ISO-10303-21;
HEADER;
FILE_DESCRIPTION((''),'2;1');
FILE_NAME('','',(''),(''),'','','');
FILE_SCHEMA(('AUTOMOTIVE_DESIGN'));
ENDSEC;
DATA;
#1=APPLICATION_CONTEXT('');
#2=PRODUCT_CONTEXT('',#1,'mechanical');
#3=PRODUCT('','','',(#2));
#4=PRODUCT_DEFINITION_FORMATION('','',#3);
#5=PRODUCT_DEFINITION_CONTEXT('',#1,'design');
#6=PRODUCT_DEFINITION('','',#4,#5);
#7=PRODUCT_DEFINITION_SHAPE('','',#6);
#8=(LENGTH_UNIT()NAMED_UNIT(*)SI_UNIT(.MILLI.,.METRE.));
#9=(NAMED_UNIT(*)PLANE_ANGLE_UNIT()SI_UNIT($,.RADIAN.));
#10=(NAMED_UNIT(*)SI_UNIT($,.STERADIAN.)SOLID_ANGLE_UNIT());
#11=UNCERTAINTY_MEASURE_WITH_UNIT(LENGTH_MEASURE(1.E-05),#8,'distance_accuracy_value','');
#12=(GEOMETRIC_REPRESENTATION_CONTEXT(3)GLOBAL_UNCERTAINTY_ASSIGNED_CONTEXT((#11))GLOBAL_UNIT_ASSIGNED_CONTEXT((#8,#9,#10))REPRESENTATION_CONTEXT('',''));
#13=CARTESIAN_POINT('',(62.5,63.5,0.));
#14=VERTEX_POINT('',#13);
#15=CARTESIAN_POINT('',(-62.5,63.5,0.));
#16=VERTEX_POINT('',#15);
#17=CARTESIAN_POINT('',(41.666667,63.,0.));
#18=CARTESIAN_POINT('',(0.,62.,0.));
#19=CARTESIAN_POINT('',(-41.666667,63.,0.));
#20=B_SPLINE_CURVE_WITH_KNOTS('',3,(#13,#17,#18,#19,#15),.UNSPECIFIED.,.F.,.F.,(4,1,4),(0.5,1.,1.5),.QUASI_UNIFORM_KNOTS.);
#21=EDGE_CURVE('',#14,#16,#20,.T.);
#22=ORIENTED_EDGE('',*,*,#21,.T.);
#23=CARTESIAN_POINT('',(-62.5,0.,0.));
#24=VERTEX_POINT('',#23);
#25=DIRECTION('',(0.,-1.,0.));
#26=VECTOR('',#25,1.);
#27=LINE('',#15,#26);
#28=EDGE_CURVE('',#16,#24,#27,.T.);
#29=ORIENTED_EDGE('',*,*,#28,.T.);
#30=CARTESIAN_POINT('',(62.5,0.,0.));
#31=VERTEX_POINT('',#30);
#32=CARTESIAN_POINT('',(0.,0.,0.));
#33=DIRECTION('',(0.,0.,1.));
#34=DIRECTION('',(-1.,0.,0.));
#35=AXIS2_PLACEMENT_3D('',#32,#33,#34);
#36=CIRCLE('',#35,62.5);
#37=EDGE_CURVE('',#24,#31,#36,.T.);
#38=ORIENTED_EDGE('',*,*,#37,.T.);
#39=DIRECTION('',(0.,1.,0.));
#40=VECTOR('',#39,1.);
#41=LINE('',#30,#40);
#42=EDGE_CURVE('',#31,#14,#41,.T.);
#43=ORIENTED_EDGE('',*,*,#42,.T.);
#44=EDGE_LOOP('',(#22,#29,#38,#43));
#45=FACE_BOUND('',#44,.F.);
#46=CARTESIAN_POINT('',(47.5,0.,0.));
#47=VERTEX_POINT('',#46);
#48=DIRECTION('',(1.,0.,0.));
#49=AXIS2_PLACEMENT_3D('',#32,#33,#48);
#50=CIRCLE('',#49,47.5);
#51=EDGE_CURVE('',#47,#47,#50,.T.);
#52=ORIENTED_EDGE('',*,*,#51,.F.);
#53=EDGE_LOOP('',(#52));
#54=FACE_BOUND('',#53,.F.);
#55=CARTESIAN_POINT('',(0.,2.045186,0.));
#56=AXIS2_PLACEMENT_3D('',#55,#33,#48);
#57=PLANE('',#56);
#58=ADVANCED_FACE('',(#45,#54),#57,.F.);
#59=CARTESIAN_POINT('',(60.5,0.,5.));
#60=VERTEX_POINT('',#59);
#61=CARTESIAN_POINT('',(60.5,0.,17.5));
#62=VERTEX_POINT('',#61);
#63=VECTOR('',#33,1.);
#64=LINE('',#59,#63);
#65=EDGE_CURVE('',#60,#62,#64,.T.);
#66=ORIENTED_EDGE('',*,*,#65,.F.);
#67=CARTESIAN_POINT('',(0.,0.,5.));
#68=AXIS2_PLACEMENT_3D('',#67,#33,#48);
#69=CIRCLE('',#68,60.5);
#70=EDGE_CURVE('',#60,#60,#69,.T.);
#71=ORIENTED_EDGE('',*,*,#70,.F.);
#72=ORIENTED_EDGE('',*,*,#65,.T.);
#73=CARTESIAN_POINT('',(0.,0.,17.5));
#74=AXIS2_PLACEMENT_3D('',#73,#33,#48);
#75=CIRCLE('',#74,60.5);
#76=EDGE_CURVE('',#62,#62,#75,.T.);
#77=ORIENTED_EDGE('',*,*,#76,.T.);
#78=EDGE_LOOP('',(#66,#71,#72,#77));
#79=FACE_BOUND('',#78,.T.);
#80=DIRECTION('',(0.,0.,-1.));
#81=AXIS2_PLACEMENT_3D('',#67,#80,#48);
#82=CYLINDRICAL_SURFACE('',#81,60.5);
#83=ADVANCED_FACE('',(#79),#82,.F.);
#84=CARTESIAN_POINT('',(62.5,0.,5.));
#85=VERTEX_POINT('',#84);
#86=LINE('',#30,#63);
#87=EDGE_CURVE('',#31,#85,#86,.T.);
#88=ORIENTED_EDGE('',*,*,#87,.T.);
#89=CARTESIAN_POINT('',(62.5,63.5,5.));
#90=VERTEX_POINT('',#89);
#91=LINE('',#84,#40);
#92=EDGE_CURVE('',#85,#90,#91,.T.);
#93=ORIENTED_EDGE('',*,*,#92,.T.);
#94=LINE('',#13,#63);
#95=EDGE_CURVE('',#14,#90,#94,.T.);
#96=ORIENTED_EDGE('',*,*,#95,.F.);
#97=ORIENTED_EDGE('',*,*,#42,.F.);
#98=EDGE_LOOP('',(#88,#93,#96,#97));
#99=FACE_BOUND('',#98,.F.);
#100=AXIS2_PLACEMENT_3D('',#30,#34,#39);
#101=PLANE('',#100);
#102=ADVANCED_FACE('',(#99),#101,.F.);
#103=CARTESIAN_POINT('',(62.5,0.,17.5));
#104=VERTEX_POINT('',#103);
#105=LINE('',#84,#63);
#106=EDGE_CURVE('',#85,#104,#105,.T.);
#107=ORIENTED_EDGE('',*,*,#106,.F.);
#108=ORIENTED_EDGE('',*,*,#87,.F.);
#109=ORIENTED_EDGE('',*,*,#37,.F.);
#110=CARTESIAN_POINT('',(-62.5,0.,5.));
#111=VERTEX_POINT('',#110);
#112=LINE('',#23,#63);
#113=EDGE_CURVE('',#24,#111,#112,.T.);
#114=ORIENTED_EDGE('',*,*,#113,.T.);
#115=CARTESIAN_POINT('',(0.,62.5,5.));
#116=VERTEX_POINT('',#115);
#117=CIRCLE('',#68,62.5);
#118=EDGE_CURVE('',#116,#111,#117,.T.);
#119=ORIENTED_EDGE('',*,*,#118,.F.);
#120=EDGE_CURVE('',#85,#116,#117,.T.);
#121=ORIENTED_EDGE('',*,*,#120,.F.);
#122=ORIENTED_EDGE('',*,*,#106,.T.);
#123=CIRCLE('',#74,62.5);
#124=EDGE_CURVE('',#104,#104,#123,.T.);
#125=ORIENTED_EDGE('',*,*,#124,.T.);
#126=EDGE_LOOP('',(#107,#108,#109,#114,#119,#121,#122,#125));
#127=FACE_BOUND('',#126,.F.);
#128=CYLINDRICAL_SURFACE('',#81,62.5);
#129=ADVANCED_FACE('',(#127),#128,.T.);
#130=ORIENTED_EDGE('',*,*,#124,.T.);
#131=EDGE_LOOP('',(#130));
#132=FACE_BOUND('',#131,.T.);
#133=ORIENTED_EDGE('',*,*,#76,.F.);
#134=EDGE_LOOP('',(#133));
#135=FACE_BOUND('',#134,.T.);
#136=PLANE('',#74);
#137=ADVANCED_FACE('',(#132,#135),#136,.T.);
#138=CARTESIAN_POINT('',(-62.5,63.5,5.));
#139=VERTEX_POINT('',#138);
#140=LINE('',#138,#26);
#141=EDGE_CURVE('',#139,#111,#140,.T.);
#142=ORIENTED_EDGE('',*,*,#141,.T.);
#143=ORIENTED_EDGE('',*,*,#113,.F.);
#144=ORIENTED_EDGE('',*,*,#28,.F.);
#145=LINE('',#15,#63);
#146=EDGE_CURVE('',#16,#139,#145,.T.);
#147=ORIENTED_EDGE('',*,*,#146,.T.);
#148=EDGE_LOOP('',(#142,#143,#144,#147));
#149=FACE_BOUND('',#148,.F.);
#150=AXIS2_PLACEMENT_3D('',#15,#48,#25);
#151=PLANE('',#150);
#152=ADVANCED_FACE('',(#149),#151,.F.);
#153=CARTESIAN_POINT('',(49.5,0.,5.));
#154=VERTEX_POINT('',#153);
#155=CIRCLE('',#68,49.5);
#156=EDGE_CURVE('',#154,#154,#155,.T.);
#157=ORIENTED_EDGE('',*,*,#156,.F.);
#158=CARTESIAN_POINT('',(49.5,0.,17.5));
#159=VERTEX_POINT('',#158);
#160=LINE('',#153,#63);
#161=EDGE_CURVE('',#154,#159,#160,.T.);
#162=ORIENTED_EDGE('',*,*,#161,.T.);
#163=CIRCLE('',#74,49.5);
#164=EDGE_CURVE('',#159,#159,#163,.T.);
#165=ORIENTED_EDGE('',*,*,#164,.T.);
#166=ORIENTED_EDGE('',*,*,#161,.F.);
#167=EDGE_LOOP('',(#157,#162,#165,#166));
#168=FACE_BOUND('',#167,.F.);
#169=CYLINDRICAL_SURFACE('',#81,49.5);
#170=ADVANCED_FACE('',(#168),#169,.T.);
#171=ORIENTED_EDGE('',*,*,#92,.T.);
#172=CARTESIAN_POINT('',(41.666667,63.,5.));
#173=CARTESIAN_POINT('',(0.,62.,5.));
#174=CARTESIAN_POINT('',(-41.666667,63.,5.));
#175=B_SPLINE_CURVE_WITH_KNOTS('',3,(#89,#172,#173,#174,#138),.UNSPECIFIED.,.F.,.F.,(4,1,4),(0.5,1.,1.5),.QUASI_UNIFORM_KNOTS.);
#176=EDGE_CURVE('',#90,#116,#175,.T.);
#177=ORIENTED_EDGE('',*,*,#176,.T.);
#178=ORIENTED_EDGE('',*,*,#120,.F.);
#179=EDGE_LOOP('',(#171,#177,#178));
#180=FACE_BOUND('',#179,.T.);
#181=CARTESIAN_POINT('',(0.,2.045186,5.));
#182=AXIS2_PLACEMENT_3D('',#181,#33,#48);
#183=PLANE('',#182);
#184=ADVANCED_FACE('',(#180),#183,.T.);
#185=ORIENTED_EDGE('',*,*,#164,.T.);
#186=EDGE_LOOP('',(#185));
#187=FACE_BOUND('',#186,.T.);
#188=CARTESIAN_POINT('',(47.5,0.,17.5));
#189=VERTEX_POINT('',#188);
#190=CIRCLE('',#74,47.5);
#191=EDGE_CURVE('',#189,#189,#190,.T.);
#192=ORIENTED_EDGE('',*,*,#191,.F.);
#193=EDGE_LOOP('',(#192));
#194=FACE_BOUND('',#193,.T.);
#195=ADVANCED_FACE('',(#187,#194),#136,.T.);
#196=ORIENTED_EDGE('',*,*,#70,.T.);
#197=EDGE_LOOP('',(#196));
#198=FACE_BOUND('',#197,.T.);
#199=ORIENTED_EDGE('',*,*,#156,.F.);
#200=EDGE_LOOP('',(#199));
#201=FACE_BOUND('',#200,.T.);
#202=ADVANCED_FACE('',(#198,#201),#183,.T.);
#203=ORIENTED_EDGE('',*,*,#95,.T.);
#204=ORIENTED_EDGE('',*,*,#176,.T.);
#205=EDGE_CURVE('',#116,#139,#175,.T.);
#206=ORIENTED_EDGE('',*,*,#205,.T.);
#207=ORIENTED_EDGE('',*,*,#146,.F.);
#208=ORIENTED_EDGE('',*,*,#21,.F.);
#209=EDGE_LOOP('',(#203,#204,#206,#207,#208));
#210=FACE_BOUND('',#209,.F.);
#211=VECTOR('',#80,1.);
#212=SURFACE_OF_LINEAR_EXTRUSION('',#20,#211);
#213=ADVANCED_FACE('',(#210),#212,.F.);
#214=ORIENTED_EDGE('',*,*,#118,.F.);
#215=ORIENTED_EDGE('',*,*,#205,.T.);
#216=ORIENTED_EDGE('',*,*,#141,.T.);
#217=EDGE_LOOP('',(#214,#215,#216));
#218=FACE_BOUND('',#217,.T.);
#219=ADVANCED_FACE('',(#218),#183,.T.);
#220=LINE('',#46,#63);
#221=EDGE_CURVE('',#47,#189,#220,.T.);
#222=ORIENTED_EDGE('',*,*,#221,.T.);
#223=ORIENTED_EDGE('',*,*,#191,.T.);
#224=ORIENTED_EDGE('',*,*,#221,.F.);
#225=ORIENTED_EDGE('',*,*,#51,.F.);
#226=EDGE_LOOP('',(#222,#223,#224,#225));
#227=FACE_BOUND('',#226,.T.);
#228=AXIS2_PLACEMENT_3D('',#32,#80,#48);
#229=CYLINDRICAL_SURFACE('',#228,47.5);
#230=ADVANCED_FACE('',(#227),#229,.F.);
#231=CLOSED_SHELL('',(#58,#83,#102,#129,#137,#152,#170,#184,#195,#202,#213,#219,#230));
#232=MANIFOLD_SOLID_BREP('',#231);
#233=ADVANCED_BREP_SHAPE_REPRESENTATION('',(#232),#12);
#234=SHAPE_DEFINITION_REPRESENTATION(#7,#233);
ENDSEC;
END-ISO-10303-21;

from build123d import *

# Parameters (mm, degrees)
F0_R     = 47.5
F1_DEPTH = 5
F2_R     = 62.5
F2_R_2   = 60.5
F2_R_3   = 49.5
F2_R_4   = 47.5
F3_DEPTH = 12.5


with BuildPart() as f1:
    # F0 (on Top) → F1 (new body)
    with BuildSketch(Plane.XY):
        with BuildLine():
            ThreePointArc((-7.47e-08, 62.5), (-44.1941738506, 44.1941737978), (-62.5, 0))
            ThreePointArc((-62.5, 0), (0, -62.5), (62.5, 0))
            ThreePointArc((62.5, 0), (44.1941737978, 44.1941738506), (-7.47e-08, 62.5))
        make_face()
        Circle(F0_R, mode=Mode.SUBTRACT)
        with BuildLine():
            Line((-62.5, 63.5), (-62.5, 0))
            ThreePointArc((-62.5, 0), (-44.1941738506, 44.1941737978), (-7.47e-08, 62.5))
            add(Edge.make_bspline(
                [(-62.5, 63.5), (-41.6666666667, 63), (-20.8333333333, 62.5), (0, 62.5)],
                knots=[0, 0, 0, 0, 0.5, 0.5, 0.5, 0.5], degree=3))
        make_face()
        with BuildLine():
            ThreePointArc((-7.47e-08, 62.5), (44.1941737978, 44.1941738506), (62.5, 0))
            Line((62.5, 0), (62.5, 63.5))
            add(Edge.make_bspline(
                [(0, 62.5), (20.8333333333, 62.5), (41.6666666667, 63), (62.5, 63.5)],
                knots=[0.5, 0.5, 0.5, 0.5, 1, 1, 1, 1], degree=3))
        make_face()
    extrude(amount=F1_DEPTH)

    # F2 (on face) → F3 (join)
    with BuildSketch(Plane.XY.offset(5)):
        Circle(F2_R)
        Circle(F2_R_2, mode=Mode.SUBTRACT)
        Circle(F2_R_3)
        Circle(F2_R_4, mode=Mode.SUBTRACT)
    extrude(amount=F3_DEPTH)


solid = f1.part
